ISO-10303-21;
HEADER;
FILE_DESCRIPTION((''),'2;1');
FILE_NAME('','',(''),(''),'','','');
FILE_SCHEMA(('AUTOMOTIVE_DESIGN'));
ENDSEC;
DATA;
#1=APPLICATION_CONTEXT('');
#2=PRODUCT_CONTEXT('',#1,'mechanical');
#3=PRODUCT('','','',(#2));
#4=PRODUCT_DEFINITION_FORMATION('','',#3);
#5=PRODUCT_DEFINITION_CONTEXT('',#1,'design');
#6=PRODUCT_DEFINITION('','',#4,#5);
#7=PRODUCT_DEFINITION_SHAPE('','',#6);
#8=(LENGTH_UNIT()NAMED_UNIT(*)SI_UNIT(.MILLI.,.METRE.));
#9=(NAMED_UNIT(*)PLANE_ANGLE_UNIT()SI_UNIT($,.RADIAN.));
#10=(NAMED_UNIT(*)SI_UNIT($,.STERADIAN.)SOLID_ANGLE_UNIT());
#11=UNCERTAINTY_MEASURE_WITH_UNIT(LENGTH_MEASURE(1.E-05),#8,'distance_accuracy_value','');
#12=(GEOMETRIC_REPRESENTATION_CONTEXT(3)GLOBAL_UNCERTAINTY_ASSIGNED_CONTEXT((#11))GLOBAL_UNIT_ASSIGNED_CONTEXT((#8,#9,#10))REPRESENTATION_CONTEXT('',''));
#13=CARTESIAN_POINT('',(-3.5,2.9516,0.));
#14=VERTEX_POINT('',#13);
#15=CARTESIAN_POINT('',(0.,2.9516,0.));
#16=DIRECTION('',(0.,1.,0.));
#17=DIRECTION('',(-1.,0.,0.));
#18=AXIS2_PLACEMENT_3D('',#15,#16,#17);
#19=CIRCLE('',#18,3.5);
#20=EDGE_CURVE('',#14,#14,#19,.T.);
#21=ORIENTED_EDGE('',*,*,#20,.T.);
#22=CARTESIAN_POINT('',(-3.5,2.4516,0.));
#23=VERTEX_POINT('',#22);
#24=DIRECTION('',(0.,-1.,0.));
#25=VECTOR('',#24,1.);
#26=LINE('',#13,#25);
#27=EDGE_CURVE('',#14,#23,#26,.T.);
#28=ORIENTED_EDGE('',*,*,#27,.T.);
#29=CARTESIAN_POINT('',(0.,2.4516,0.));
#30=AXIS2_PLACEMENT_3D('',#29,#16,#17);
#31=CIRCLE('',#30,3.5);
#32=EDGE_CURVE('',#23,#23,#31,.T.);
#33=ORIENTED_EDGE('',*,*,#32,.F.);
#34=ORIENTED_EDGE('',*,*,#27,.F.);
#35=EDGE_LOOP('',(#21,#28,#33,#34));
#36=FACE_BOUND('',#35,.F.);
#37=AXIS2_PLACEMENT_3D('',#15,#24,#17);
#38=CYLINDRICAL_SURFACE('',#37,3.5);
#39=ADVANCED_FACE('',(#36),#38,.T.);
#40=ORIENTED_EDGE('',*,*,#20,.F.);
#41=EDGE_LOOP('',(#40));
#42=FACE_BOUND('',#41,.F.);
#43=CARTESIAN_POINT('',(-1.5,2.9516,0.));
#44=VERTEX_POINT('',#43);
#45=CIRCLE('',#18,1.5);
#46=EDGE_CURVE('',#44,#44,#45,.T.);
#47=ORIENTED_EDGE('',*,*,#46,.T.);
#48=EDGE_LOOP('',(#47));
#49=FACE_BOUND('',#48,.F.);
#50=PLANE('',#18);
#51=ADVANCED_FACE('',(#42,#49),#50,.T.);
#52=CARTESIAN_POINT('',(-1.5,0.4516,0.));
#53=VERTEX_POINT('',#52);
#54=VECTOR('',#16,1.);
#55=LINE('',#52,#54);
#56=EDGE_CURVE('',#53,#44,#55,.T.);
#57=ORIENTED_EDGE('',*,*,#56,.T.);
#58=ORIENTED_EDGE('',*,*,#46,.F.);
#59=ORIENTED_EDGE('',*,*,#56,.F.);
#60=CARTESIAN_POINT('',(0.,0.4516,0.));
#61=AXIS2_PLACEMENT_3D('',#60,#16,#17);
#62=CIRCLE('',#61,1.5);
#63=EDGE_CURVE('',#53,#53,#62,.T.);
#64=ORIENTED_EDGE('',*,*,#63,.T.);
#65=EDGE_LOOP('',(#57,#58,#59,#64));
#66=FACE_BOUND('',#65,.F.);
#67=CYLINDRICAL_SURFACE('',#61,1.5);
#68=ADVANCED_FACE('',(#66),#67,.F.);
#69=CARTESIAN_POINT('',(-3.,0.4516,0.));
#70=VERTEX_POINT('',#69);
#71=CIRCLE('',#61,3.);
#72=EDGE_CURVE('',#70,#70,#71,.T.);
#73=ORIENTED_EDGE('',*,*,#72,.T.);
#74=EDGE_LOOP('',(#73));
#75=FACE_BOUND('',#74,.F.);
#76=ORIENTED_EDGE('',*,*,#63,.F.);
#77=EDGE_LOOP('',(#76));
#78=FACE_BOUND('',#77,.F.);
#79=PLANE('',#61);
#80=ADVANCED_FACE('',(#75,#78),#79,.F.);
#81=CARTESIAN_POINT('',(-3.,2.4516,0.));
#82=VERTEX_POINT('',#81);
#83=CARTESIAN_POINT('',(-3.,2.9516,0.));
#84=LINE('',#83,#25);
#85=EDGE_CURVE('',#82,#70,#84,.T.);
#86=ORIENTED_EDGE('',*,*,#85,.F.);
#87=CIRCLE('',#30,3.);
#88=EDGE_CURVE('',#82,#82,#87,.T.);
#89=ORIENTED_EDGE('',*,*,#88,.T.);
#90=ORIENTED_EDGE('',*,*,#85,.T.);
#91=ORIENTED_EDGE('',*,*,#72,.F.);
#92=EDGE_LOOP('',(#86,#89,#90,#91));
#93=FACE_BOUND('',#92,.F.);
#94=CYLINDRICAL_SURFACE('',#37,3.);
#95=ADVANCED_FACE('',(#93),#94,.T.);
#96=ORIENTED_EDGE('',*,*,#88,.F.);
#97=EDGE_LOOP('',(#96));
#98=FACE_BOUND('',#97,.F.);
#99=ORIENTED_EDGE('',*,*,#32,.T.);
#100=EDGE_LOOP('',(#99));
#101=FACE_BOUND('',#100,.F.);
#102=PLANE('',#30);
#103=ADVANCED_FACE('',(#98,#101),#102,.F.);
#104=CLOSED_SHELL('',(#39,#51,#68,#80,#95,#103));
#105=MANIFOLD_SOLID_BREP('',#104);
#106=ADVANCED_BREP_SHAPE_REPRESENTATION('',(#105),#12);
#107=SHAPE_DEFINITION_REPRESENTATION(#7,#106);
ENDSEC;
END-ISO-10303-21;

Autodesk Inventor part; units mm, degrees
ref_plane "YZ Plane" through (0, 0, 0) normal (1, 0, 0) x (0, 1, 0)
ref_plane "XZ Plane" through (0, 0, 0) normal (0, 1, 0) x (-1, 0, 0)
ref_plane "XY Plane" through (0, 0, 0) normal (0, 0, 1) x (1, 0, 0)
sketch "スケッチ1" plane through (0, 0, 0) normal (0, 0, 1) x (1, 0, 0)
  line L0 (-1.5, 2.9516) -> (-3, 2.9516)
  line L1 (-3, 2.9516) -> (-3, 0.4516)
  line L2 (-3, 0.4516) -> (-1.5, 0.4516)
  line L3 (-1.5, 0.4516) -> (-1.5, 2.9516)
  line L4 (-3, 2.9516) -> (-3.5, 2.9516)
  line L5 (-3.5, 2.9516) -> (-3.5, 2.4516)
  line L6 (-3.5, 2.4516) -> (-3, 2.4516)
  line L7 (-3, 2.4516) -> (-3, 2.9516)
  line L8 (0, 0) -> (0, 5.631)
  dimension "d0" = 1.5
  dimension "d1" = 3
  dimension "d2" = 2.5
  dimension "d3" = 3.5
  dimension "d4" = 0.5
revolve "回転1" add sketch "スケッチ1" angle 360 about axis through (0, 0, 0) along (0, 1, 0)
properties part number "ベアリング(仮)"
